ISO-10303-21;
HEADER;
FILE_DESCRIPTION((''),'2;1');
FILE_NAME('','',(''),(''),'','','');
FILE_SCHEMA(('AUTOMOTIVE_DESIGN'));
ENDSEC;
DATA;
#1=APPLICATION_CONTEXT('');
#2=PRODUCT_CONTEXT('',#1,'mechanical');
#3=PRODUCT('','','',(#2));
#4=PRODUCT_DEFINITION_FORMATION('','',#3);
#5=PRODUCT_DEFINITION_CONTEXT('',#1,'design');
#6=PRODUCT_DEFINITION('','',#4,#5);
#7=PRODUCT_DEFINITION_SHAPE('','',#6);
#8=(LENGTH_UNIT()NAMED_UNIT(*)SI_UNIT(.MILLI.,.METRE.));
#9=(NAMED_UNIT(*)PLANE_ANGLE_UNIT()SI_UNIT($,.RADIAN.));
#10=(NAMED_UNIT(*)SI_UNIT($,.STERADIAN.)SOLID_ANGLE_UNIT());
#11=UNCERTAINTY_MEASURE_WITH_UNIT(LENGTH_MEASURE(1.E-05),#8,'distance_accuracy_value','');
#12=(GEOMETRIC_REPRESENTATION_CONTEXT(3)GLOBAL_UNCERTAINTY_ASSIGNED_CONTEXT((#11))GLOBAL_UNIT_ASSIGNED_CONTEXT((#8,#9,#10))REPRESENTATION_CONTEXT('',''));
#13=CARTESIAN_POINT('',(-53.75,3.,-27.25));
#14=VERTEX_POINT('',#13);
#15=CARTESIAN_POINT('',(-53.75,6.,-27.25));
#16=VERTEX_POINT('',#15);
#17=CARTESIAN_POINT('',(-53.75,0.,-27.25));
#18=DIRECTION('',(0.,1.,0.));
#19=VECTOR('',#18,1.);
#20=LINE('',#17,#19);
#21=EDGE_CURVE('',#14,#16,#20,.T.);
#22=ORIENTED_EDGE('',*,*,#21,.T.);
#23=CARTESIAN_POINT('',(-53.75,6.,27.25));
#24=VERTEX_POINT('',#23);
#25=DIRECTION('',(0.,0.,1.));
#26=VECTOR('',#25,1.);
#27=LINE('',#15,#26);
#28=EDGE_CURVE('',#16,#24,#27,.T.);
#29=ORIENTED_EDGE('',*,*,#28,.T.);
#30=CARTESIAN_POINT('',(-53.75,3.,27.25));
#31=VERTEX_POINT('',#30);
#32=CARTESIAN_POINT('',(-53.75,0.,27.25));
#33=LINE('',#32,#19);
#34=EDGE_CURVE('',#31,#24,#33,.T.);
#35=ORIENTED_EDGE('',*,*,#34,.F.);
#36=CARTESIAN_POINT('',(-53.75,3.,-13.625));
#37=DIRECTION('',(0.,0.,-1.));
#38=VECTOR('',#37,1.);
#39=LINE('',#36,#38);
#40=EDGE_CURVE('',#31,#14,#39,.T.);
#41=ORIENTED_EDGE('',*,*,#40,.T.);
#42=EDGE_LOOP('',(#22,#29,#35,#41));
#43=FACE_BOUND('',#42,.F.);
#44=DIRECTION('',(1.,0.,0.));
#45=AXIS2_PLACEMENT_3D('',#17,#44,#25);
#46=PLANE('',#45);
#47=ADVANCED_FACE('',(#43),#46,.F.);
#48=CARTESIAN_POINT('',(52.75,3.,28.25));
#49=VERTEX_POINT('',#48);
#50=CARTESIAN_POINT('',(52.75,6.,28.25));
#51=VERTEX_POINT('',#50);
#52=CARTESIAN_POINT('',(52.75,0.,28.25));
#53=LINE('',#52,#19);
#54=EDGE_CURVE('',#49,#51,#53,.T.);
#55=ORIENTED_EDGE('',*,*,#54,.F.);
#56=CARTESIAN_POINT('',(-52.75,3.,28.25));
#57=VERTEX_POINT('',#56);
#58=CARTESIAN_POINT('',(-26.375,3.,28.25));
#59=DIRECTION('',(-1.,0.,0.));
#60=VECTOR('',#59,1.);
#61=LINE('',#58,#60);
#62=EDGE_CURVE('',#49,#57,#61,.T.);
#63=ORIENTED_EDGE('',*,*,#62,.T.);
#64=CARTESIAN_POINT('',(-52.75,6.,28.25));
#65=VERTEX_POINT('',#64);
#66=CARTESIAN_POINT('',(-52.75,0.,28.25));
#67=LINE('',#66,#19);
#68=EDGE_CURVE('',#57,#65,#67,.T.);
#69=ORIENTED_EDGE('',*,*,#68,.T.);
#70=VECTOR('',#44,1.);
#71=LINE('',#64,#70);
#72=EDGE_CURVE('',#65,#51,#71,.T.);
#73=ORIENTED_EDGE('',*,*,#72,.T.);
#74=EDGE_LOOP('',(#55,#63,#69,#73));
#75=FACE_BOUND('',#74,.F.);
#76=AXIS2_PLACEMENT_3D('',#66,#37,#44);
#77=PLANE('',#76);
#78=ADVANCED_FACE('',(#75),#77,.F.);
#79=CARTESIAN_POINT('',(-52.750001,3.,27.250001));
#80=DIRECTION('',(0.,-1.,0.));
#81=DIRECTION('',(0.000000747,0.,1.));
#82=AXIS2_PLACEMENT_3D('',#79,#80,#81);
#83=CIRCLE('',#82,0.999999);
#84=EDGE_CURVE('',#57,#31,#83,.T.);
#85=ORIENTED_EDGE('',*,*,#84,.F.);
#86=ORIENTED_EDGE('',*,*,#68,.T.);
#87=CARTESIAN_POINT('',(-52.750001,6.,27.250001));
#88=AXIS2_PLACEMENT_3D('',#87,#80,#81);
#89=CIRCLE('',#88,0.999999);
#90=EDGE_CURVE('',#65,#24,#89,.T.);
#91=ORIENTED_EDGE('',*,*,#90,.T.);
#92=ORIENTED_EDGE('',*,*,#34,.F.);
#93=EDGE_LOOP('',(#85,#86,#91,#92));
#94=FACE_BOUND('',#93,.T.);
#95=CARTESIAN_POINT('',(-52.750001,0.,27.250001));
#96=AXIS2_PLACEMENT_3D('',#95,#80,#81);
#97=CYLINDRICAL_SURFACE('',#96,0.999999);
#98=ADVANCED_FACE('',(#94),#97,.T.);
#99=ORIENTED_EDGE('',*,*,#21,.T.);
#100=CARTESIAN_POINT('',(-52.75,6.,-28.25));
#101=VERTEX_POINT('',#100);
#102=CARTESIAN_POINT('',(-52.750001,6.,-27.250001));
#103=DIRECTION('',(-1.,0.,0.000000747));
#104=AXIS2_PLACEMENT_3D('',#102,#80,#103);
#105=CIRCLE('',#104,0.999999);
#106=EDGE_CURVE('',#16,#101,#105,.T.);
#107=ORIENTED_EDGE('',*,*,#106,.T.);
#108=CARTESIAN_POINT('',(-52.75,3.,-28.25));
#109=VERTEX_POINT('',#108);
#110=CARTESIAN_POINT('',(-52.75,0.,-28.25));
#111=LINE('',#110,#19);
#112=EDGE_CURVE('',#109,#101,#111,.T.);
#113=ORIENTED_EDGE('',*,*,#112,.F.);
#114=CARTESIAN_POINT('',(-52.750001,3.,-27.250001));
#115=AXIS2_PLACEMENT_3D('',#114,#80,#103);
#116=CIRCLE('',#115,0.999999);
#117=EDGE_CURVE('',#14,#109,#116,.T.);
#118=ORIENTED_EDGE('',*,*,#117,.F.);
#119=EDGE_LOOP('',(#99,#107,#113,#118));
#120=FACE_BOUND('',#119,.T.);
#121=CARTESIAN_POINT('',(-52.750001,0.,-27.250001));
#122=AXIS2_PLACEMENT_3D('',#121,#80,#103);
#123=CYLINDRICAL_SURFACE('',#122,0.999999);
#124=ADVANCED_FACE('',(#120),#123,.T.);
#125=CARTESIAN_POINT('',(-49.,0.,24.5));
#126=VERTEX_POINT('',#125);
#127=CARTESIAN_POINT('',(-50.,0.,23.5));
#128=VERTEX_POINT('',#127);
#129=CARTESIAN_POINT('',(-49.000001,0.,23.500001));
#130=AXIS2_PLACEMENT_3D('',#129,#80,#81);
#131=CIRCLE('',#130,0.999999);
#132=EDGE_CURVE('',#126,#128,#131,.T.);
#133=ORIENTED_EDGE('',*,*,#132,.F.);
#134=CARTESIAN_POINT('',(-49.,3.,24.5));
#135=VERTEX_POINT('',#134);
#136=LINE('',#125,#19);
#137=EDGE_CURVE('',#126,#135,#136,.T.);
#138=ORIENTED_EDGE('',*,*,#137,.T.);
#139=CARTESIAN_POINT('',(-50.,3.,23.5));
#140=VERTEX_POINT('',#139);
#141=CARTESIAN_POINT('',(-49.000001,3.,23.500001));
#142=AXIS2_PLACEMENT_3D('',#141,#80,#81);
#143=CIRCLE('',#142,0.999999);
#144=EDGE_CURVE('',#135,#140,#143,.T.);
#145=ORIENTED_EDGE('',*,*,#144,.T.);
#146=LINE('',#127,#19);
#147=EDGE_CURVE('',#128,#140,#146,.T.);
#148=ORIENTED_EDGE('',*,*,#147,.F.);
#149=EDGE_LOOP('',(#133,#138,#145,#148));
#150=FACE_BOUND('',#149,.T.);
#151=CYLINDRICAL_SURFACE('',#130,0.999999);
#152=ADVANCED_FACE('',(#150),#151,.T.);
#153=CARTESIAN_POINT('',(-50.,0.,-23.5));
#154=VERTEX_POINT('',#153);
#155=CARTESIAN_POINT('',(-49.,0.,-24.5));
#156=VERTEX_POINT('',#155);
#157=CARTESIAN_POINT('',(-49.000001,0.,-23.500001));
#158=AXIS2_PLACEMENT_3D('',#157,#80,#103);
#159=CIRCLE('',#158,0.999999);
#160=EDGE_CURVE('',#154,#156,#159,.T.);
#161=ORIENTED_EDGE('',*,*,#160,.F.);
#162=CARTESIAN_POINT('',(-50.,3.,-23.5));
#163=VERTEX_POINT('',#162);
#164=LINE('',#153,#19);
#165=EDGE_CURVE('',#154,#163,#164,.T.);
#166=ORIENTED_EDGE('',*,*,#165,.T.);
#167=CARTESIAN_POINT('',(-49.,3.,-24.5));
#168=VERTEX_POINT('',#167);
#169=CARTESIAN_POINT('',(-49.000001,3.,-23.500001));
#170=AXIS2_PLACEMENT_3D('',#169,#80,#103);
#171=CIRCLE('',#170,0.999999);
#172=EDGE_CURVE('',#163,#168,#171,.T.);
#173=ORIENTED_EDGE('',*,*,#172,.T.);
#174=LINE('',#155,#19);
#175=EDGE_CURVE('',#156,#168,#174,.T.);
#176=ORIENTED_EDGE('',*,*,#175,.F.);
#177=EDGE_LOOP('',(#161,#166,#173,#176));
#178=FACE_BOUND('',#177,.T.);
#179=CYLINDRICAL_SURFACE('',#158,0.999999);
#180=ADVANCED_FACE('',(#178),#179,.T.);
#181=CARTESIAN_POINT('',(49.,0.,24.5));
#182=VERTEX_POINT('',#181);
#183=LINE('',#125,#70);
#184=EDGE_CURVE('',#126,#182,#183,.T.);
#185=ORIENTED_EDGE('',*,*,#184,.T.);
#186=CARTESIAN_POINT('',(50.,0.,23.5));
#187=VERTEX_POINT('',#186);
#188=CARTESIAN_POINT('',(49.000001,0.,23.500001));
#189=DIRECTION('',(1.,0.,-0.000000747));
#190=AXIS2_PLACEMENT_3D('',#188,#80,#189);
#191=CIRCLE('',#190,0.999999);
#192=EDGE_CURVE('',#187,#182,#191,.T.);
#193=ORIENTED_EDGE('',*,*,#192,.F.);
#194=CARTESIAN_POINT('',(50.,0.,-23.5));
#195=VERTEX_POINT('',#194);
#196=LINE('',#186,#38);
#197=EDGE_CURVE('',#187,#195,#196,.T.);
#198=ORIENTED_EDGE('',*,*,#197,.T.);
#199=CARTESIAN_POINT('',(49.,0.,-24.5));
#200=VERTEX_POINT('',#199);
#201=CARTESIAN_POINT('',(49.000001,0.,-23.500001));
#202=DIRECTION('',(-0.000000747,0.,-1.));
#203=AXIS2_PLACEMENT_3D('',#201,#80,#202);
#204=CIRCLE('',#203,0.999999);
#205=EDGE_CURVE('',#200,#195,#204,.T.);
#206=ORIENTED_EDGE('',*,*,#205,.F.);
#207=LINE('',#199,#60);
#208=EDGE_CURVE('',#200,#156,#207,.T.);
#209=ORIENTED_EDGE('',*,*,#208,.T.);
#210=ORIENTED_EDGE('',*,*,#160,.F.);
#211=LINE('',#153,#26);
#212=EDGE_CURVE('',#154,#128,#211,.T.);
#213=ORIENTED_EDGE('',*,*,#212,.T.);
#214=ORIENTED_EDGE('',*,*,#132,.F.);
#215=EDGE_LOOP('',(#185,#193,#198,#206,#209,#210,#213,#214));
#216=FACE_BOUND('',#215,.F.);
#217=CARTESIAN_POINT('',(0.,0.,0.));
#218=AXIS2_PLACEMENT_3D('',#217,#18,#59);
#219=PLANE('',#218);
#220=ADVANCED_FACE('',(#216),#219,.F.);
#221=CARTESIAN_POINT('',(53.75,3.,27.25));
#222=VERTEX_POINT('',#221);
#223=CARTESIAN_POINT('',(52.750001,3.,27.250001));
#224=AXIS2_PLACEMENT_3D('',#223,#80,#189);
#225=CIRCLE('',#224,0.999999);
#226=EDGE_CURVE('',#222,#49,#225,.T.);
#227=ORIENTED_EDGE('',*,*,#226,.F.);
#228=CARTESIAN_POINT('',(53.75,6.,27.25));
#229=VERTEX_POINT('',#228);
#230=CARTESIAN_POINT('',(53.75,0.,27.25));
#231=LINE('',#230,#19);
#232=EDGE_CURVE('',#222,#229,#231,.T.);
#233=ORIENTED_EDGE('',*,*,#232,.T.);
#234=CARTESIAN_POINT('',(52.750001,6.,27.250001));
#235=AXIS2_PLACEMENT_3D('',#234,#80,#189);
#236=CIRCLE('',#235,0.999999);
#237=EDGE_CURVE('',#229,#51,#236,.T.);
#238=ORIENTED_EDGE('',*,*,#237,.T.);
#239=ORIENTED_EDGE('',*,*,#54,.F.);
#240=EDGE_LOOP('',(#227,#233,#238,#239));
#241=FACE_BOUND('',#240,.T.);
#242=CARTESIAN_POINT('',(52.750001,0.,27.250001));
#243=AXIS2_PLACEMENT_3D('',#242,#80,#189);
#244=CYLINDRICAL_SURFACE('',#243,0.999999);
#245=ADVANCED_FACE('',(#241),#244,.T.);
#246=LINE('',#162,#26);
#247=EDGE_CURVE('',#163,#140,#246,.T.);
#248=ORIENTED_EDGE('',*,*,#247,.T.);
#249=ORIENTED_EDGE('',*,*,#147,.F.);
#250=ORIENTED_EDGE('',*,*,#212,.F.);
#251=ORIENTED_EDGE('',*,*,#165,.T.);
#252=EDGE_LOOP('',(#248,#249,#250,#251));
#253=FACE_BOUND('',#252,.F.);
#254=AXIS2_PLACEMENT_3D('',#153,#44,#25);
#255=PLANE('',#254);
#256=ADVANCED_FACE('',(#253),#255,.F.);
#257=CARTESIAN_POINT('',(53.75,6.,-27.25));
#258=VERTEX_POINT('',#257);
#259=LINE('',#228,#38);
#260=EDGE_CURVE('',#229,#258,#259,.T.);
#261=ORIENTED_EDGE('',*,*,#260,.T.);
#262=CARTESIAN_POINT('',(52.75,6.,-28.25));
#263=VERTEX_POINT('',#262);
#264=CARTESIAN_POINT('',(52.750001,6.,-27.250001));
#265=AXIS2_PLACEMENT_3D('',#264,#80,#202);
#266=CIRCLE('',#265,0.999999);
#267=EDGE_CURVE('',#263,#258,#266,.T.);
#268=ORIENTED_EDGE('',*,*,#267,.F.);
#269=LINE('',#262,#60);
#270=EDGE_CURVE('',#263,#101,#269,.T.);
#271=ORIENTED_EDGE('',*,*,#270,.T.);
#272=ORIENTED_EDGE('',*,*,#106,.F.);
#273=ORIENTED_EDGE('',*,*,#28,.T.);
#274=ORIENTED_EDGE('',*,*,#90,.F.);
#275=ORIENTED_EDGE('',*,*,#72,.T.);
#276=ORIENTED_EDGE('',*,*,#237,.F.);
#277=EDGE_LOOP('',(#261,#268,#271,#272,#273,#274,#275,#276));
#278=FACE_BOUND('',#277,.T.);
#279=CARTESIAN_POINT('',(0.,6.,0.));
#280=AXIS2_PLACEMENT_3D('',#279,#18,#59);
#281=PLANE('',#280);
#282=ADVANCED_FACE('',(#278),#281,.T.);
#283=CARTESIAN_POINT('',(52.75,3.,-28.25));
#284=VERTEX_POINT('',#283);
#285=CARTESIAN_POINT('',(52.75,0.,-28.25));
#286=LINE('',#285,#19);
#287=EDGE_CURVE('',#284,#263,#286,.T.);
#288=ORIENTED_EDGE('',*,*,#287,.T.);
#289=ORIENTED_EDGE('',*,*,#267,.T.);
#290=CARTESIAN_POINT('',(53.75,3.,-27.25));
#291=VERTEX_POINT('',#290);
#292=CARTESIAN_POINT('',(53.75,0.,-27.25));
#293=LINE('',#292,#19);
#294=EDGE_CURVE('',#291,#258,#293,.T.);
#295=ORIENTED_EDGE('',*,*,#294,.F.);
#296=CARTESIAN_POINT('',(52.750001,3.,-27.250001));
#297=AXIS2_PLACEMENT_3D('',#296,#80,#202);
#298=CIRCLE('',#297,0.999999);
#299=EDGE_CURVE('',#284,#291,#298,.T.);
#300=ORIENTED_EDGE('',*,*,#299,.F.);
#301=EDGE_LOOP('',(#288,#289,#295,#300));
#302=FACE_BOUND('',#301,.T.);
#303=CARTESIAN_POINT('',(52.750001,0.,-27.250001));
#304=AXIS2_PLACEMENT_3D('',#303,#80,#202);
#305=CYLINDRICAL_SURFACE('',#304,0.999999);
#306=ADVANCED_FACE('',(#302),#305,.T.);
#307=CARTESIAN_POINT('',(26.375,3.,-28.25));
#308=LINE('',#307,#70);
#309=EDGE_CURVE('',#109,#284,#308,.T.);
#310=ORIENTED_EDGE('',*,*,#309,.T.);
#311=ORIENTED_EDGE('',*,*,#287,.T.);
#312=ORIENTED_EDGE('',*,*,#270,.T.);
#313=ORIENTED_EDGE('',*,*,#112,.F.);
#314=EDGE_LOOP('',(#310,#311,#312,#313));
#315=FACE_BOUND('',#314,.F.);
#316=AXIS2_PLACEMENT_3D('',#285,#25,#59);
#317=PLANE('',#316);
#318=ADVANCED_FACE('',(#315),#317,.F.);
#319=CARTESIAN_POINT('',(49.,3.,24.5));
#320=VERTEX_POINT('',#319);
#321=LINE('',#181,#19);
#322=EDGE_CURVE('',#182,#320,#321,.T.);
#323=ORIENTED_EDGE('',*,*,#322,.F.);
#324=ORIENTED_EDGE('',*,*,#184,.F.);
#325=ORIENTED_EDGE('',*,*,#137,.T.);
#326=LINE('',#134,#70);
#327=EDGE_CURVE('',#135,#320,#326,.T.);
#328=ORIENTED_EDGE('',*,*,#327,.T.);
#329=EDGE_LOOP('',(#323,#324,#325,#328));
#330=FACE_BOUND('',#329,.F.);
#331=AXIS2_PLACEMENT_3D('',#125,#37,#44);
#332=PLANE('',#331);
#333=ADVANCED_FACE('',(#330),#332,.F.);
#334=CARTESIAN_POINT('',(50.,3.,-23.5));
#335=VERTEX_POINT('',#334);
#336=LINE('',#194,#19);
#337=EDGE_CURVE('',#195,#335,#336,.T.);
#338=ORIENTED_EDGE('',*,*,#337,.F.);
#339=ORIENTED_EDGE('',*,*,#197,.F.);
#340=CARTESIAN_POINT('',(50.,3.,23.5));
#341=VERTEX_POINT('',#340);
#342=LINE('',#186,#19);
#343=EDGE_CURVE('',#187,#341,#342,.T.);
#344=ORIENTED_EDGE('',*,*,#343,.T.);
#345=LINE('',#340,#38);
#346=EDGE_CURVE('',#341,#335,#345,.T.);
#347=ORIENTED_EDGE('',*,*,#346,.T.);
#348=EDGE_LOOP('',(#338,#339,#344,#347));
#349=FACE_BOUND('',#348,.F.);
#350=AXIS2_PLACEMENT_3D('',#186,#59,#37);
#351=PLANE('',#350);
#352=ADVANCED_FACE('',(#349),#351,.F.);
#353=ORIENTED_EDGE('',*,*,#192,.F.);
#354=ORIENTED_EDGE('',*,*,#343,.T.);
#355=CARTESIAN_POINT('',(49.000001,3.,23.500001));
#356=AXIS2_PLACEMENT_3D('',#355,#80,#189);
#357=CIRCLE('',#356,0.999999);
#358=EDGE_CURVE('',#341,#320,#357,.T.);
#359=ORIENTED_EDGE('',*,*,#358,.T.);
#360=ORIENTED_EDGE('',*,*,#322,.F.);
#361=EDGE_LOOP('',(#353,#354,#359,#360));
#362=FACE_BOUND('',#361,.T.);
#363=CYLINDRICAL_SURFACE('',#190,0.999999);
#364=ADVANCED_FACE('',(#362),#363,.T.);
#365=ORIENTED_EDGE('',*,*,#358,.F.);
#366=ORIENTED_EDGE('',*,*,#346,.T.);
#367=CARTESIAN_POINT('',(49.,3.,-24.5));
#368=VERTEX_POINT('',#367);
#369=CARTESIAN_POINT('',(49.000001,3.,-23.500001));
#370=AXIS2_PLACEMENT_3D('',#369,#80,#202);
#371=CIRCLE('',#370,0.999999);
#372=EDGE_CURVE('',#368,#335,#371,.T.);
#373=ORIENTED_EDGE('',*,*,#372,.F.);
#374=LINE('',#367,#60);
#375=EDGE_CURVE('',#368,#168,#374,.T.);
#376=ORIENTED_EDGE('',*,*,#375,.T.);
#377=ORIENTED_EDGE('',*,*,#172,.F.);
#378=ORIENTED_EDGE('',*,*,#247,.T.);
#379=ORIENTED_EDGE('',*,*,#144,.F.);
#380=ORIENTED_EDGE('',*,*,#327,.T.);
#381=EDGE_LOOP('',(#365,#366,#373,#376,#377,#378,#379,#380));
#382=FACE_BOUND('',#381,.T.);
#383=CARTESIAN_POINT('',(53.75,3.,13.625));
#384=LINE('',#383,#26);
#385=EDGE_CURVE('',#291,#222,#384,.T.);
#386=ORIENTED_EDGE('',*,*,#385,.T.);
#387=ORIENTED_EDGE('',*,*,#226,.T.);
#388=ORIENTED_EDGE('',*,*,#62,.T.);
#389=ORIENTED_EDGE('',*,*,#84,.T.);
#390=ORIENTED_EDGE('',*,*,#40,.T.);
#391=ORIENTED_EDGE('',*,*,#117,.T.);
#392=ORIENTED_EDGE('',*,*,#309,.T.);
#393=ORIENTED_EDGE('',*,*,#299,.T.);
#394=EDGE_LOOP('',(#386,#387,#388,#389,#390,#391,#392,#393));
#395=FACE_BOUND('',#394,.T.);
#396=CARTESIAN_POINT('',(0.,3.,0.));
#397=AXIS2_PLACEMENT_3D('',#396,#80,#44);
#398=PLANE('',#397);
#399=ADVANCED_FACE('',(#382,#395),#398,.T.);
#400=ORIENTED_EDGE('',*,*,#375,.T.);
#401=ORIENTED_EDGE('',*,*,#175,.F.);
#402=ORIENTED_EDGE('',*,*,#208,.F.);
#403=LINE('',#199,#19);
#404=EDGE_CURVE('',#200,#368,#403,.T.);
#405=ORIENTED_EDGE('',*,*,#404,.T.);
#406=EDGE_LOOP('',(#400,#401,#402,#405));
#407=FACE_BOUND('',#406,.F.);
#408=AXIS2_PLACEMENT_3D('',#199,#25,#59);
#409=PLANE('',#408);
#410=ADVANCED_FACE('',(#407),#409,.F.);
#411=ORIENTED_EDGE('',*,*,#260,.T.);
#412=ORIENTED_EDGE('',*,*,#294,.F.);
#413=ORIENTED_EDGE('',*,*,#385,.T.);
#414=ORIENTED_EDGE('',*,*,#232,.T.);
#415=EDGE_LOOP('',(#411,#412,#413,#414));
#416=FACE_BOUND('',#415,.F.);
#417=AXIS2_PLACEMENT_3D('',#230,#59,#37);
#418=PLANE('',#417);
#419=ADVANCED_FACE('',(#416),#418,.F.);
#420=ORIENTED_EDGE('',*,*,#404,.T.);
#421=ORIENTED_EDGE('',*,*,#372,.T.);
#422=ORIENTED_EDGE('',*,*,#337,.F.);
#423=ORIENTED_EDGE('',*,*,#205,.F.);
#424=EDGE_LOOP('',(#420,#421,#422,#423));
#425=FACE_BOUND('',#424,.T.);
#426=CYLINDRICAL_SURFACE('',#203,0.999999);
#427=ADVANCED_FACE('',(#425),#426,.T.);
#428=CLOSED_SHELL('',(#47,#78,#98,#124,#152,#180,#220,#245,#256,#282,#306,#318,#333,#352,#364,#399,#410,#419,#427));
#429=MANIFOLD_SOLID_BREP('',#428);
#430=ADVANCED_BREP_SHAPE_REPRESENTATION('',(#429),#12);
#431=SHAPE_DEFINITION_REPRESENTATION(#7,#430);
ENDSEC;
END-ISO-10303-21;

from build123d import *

# Parameters (mm, degrees)
PAD_DEPTH    = 6
SKETCH001_W  = 150
SKETCH001_H  = 73.5
POCKET_DEPTH = 3


with BuildPart() as part:
    # Sketch → Pad (new body)
    with BuildSketch(Plane.XZ):
        with BuildLine():
            Line((-52.75, 28.25), (52.75, 28.25))
            ThreePointArc((53.75, 27.25), (53.457107, 27.957107), (52.75, 28.25))
            Line((53.75, 27.25), (53.75, -27.25))
            ThreePointArc((52.75, -28.25), (53.457107, -27.957107), (53.75, -27.25))
            Line((52.75, -28.25), (-52.75, -28.25))
            ThreePointArc((-53.75, -27.25), (-53.457107, -27.957107), (-52.75, -28.25))
            Line((-53.75, -27.25), (-53.75, 27.25))
            ThreePointArc((-52.75, 28.25), (-53.457107, 27.957107), (-53.75, 27.25))
        make_face()
    extrude(amount=-PAD_DEPTH)

    # Sketch001 → Pocket (cut)
    with BuildSketch(Plane.XZ):
        Rectangle(SKETCH001_W, SKETCH001_H)
        with BuildLine():
            Line((-49, 24.5), (49, 24.5))
            ThreePointArc((50, 23.5), (49.707107, 24.207107), (49, 24.5))
            Line((50, 23.5), (50, -23.5))
            ThreePointArc((49, -24.5), (49.707107, -24.207107), (50, -23.5))
            Line((49, -24.5), (-49, -24.5))
            ThreePointArc((-50, -23.5), (-49.707107, -24.207107), (-49, -24.5))
            Line((-50, -23.5), (-50, 23.5))
            ThreePointArc((-49, 24.5), (-49.707107, 24.207107), (-50, 23.5))
        make_face(mode=Mode.SUBTRACT)
    extrude(amount=-POCKET_DEPTH, mode=Mode.SUBTRACT)


solid = part.part
